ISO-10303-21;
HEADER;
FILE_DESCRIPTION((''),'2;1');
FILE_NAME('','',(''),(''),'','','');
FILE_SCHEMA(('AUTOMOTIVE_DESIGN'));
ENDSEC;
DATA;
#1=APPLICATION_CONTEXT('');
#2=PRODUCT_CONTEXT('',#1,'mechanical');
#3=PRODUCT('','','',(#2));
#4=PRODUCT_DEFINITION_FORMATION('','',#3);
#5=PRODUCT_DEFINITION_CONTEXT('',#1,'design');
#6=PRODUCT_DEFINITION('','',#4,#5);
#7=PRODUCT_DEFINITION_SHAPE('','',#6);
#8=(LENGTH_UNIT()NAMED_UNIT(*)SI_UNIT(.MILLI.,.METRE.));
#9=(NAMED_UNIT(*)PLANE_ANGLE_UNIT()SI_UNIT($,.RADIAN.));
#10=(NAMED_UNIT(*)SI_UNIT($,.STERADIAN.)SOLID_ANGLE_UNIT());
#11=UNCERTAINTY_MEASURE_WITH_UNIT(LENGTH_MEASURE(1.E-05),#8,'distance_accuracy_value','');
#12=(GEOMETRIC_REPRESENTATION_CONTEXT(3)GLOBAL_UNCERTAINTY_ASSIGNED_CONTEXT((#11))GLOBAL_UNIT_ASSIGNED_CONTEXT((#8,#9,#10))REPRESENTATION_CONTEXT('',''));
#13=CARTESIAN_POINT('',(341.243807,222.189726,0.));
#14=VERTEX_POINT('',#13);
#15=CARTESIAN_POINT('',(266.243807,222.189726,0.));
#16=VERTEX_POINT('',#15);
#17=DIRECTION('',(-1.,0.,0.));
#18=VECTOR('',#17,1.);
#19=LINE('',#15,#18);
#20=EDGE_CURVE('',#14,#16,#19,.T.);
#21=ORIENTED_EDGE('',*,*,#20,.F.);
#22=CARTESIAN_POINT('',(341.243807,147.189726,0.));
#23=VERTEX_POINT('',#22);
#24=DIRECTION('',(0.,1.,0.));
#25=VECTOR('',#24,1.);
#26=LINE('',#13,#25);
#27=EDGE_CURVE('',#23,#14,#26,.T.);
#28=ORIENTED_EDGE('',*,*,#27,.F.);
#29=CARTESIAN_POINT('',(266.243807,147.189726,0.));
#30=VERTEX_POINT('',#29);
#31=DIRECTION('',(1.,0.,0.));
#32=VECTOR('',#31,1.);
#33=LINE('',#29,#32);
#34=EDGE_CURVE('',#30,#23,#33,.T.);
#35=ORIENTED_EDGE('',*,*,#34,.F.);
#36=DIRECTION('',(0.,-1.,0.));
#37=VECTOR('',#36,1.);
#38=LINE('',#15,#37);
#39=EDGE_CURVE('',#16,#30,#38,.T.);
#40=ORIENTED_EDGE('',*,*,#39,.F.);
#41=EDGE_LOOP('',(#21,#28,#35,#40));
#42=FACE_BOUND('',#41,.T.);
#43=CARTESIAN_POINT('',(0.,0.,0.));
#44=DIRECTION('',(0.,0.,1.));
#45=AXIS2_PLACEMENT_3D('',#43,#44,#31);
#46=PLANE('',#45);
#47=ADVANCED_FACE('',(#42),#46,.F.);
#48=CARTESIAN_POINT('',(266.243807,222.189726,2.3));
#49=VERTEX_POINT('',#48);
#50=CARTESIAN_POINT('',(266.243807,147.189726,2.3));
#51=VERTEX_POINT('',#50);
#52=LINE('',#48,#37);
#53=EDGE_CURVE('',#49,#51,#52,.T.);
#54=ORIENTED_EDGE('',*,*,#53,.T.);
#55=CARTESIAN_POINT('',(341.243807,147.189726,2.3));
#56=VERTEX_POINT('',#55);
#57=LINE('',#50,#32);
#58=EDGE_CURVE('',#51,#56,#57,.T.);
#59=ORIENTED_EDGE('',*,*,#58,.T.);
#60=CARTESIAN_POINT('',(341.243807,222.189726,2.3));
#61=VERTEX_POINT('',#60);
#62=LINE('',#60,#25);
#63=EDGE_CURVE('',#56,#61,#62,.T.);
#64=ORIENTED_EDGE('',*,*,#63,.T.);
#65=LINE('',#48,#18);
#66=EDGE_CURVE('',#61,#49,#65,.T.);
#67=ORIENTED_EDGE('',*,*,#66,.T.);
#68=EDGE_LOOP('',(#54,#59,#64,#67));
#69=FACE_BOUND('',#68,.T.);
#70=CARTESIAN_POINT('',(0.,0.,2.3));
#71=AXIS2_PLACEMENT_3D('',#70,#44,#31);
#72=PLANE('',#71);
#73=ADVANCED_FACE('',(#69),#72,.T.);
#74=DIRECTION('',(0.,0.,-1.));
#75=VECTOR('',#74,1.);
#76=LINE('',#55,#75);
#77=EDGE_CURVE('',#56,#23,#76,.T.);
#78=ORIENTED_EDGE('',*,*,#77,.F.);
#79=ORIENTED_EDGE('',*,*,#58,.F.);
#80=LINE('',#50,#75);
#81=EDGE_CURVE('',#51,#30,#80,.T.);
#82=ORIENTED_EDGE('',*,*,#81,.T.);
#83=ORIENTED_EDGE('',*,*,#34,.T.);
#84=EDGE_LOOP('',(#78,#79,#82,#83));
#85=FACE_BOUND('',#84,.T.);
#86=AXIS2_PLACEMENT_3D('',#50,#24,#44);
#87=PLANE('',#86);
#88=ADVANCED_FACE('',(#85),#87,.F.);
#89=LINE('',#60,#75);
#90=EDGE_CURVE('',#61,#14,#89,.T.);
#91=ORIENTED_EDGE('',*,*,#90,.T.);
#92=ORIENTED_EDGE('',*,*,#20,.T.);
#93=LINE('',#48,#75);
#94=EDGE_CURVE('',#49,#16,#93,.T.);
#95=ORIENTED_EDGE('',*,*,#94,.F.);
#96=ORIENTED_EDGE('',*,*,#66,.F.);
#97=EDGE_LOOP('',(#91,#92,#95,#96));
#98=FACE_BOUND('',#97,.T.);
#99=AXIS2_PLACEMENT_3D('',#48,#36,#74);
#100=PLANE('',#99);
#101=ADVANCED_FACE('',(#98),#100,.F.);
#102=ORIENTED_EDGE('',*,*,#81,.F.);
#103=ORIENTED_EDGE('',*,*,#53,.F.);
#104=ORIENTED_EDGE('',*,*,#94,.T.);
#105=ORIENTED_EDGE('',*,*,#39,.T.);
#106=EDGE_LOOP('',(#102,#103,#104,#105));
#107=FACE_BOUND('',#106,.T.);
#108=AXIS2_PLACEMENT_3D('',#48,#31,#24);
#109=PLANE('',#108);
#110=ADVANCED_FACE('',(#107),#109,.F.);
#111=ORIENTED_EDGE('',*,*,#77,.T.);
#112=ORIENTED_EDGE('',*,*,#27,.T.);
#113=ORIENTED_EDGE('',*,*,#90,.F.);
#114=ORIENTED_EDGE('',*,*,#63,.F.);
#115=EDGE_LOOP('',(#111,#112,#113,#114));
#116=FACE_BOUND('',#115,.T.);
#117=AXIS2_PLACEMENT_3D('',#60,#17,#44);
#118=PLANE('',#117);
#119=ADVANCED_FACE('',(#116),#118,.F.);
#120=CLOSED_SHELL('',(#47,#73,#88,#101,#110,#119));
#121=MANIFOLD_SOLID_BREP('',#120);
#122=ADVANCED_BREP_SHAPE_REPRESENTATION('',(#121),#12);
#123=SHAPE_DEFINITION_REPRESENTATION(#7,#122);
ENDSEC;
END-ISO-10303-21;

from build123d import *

# Parameters (mm, degrees)
SKETCH_1_W      = 75
SKETCH_1_H      = 75
EXTRUDE_1_DEPTH = 2.3


with BuildPart() as part:
    # 草图1 → 凸台-拉伸1 (new body)
    with BuildSketch(Plane.XY):
        with Locations((303.743807328, 184.689725504)):
            Rectangle(SKETCH_1_W, SKETCH_1_H)
    extrude(amount=EXTRUDE_1_DEPTH)


solid = part.part
